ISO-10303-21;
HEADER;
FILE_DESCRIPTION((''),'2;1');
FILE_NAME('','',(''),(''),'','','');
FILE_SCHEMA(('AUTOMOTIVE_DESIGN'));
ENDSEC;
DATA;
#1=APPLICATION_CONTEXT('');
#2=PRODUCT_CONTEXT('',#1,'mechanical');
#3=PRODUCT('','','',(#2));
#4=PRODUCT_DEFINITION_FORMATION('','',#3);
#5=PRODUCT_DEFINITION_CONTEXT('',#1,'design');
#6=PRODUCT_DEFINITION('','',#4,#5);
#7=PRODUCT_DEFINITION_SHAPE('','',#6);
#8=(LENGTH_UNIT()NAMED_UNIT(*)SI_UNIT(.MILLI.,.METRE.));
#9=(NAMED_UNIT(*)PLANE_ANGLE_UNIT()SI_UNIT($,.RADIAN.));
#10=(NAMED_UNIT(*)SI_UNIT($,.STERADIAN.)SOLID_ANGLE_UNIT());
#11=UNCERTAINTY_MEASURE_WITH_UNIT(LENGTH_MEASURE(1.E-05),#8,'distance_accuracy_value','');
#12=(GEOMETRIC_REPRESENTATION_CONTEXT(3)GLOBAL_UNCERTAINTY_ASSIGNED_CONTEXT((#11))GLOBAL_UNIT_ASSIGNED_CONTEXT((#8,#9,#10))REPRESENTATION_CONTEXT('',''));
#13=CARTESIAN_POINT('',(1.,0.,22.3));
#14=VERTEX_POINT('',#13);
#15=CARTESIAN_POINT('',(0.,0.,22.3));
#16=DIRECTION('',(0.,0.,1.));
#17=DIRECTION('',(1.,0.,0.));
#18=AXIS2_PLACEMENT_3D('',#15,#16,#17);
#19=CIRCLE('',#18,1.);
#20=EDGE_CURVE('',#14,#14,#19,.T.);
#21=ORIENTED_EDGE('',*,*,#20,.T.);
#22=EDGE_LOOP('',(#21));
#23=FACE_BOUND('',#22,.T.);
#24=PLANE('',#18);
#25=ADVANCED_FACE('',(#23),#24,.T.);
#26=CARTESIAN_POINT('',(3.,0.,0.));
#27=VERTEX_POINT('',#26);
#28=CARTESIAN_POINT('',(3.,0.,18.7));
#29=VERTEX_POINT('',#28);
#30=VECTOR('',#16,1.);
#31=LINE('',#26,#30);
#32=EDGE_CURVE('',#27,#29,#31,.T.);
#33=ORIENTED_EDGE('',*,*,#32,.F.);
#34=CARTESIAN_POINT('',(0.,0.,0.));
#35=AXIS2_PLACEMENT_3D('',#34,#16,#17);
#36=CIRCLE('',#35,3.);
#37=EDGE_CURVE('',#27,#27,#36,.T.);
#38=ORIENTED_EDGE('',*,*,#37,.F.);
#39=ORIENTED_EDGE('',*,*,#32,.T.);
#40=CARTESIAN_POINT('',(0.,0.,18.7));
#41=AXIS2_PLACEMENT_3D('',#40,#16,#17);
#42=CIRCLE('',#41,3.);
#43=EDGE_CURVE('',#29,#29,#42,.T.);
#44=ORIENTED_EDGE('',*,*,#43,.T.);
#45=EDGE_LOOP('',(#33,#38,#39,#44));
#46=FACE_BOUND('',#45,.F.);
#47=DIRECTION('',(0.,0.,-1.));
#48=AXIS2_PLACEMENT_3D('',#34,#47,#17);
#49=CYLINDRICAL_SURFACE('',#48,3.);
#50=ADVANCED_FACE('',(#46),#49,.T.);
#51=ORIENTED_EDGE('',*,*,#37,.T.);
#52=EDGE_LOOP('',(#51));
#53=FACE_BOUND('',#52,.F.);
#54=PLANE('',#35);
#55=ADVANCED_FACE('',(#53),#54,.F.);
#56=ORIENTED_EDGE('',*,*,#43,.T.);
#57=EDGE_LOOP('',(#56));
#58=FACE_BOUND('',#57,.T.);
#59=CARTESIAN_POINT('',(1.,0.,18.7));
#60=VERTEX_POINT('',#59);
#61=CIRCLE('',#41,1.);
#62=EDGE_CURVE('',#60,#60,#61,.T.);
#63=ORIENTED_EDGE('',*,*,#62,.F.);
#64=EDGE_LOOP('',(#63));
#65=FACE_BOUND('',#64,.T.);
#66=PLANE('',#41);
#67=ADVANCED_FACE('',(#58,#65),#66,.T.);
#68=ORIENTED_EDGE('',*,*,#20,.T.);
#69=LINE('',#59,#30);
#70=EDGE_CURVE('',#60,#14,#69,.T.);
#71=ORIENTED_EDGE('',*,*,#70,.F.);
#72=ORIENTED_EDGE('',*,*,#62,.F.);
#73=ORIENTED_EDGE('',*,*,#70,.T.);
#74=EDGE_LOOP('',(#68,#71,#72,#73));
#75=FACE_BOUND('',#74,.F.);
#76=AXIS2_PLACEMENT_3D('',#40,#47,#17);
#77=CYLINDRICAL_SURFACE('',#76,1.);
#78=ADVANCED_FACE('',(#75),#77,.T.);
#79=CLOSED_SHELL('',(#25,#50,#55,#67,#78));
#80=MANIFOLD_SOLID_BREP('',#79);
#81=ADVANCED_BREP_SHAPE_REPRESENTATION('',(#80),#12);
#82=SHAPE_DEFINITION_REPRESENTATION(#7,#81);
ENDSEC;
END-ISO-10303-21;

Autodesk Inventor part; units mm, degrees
ref_plane "YZ Plane" through (0, 0, 0) normal (1, 0, 0) x (0, 1, 0)
ref_plane "XZ Plane" through (0, 0, 0) normal (0, 1, 0) x (-1, 0, 0)
ref_plane "XY Plane" through (0, 0, 0) normal (0, 0, 1) x (1, 0, 0)
sketch "Sketch1" plane through (0, 0, 0) normal (0, 0, 1) x (1, 0, 0)
  circle A0 centre (0, 0) radius 3
  dimension "d0" = 6
extrude "Extrusion1" add sketch "Sketch1" along normal blind 18.7
sketch "Sketch2" plane through (0, 0, 18.7) normal (0, 0, 1) x (1, 0, 0)
  circle A0 centre (0, 0) radius 1
  dimension "d3" = 2
extrude "Extrusion2" add sketch "Sketch2" along normal blind 3.6
properties part number "silnik"
